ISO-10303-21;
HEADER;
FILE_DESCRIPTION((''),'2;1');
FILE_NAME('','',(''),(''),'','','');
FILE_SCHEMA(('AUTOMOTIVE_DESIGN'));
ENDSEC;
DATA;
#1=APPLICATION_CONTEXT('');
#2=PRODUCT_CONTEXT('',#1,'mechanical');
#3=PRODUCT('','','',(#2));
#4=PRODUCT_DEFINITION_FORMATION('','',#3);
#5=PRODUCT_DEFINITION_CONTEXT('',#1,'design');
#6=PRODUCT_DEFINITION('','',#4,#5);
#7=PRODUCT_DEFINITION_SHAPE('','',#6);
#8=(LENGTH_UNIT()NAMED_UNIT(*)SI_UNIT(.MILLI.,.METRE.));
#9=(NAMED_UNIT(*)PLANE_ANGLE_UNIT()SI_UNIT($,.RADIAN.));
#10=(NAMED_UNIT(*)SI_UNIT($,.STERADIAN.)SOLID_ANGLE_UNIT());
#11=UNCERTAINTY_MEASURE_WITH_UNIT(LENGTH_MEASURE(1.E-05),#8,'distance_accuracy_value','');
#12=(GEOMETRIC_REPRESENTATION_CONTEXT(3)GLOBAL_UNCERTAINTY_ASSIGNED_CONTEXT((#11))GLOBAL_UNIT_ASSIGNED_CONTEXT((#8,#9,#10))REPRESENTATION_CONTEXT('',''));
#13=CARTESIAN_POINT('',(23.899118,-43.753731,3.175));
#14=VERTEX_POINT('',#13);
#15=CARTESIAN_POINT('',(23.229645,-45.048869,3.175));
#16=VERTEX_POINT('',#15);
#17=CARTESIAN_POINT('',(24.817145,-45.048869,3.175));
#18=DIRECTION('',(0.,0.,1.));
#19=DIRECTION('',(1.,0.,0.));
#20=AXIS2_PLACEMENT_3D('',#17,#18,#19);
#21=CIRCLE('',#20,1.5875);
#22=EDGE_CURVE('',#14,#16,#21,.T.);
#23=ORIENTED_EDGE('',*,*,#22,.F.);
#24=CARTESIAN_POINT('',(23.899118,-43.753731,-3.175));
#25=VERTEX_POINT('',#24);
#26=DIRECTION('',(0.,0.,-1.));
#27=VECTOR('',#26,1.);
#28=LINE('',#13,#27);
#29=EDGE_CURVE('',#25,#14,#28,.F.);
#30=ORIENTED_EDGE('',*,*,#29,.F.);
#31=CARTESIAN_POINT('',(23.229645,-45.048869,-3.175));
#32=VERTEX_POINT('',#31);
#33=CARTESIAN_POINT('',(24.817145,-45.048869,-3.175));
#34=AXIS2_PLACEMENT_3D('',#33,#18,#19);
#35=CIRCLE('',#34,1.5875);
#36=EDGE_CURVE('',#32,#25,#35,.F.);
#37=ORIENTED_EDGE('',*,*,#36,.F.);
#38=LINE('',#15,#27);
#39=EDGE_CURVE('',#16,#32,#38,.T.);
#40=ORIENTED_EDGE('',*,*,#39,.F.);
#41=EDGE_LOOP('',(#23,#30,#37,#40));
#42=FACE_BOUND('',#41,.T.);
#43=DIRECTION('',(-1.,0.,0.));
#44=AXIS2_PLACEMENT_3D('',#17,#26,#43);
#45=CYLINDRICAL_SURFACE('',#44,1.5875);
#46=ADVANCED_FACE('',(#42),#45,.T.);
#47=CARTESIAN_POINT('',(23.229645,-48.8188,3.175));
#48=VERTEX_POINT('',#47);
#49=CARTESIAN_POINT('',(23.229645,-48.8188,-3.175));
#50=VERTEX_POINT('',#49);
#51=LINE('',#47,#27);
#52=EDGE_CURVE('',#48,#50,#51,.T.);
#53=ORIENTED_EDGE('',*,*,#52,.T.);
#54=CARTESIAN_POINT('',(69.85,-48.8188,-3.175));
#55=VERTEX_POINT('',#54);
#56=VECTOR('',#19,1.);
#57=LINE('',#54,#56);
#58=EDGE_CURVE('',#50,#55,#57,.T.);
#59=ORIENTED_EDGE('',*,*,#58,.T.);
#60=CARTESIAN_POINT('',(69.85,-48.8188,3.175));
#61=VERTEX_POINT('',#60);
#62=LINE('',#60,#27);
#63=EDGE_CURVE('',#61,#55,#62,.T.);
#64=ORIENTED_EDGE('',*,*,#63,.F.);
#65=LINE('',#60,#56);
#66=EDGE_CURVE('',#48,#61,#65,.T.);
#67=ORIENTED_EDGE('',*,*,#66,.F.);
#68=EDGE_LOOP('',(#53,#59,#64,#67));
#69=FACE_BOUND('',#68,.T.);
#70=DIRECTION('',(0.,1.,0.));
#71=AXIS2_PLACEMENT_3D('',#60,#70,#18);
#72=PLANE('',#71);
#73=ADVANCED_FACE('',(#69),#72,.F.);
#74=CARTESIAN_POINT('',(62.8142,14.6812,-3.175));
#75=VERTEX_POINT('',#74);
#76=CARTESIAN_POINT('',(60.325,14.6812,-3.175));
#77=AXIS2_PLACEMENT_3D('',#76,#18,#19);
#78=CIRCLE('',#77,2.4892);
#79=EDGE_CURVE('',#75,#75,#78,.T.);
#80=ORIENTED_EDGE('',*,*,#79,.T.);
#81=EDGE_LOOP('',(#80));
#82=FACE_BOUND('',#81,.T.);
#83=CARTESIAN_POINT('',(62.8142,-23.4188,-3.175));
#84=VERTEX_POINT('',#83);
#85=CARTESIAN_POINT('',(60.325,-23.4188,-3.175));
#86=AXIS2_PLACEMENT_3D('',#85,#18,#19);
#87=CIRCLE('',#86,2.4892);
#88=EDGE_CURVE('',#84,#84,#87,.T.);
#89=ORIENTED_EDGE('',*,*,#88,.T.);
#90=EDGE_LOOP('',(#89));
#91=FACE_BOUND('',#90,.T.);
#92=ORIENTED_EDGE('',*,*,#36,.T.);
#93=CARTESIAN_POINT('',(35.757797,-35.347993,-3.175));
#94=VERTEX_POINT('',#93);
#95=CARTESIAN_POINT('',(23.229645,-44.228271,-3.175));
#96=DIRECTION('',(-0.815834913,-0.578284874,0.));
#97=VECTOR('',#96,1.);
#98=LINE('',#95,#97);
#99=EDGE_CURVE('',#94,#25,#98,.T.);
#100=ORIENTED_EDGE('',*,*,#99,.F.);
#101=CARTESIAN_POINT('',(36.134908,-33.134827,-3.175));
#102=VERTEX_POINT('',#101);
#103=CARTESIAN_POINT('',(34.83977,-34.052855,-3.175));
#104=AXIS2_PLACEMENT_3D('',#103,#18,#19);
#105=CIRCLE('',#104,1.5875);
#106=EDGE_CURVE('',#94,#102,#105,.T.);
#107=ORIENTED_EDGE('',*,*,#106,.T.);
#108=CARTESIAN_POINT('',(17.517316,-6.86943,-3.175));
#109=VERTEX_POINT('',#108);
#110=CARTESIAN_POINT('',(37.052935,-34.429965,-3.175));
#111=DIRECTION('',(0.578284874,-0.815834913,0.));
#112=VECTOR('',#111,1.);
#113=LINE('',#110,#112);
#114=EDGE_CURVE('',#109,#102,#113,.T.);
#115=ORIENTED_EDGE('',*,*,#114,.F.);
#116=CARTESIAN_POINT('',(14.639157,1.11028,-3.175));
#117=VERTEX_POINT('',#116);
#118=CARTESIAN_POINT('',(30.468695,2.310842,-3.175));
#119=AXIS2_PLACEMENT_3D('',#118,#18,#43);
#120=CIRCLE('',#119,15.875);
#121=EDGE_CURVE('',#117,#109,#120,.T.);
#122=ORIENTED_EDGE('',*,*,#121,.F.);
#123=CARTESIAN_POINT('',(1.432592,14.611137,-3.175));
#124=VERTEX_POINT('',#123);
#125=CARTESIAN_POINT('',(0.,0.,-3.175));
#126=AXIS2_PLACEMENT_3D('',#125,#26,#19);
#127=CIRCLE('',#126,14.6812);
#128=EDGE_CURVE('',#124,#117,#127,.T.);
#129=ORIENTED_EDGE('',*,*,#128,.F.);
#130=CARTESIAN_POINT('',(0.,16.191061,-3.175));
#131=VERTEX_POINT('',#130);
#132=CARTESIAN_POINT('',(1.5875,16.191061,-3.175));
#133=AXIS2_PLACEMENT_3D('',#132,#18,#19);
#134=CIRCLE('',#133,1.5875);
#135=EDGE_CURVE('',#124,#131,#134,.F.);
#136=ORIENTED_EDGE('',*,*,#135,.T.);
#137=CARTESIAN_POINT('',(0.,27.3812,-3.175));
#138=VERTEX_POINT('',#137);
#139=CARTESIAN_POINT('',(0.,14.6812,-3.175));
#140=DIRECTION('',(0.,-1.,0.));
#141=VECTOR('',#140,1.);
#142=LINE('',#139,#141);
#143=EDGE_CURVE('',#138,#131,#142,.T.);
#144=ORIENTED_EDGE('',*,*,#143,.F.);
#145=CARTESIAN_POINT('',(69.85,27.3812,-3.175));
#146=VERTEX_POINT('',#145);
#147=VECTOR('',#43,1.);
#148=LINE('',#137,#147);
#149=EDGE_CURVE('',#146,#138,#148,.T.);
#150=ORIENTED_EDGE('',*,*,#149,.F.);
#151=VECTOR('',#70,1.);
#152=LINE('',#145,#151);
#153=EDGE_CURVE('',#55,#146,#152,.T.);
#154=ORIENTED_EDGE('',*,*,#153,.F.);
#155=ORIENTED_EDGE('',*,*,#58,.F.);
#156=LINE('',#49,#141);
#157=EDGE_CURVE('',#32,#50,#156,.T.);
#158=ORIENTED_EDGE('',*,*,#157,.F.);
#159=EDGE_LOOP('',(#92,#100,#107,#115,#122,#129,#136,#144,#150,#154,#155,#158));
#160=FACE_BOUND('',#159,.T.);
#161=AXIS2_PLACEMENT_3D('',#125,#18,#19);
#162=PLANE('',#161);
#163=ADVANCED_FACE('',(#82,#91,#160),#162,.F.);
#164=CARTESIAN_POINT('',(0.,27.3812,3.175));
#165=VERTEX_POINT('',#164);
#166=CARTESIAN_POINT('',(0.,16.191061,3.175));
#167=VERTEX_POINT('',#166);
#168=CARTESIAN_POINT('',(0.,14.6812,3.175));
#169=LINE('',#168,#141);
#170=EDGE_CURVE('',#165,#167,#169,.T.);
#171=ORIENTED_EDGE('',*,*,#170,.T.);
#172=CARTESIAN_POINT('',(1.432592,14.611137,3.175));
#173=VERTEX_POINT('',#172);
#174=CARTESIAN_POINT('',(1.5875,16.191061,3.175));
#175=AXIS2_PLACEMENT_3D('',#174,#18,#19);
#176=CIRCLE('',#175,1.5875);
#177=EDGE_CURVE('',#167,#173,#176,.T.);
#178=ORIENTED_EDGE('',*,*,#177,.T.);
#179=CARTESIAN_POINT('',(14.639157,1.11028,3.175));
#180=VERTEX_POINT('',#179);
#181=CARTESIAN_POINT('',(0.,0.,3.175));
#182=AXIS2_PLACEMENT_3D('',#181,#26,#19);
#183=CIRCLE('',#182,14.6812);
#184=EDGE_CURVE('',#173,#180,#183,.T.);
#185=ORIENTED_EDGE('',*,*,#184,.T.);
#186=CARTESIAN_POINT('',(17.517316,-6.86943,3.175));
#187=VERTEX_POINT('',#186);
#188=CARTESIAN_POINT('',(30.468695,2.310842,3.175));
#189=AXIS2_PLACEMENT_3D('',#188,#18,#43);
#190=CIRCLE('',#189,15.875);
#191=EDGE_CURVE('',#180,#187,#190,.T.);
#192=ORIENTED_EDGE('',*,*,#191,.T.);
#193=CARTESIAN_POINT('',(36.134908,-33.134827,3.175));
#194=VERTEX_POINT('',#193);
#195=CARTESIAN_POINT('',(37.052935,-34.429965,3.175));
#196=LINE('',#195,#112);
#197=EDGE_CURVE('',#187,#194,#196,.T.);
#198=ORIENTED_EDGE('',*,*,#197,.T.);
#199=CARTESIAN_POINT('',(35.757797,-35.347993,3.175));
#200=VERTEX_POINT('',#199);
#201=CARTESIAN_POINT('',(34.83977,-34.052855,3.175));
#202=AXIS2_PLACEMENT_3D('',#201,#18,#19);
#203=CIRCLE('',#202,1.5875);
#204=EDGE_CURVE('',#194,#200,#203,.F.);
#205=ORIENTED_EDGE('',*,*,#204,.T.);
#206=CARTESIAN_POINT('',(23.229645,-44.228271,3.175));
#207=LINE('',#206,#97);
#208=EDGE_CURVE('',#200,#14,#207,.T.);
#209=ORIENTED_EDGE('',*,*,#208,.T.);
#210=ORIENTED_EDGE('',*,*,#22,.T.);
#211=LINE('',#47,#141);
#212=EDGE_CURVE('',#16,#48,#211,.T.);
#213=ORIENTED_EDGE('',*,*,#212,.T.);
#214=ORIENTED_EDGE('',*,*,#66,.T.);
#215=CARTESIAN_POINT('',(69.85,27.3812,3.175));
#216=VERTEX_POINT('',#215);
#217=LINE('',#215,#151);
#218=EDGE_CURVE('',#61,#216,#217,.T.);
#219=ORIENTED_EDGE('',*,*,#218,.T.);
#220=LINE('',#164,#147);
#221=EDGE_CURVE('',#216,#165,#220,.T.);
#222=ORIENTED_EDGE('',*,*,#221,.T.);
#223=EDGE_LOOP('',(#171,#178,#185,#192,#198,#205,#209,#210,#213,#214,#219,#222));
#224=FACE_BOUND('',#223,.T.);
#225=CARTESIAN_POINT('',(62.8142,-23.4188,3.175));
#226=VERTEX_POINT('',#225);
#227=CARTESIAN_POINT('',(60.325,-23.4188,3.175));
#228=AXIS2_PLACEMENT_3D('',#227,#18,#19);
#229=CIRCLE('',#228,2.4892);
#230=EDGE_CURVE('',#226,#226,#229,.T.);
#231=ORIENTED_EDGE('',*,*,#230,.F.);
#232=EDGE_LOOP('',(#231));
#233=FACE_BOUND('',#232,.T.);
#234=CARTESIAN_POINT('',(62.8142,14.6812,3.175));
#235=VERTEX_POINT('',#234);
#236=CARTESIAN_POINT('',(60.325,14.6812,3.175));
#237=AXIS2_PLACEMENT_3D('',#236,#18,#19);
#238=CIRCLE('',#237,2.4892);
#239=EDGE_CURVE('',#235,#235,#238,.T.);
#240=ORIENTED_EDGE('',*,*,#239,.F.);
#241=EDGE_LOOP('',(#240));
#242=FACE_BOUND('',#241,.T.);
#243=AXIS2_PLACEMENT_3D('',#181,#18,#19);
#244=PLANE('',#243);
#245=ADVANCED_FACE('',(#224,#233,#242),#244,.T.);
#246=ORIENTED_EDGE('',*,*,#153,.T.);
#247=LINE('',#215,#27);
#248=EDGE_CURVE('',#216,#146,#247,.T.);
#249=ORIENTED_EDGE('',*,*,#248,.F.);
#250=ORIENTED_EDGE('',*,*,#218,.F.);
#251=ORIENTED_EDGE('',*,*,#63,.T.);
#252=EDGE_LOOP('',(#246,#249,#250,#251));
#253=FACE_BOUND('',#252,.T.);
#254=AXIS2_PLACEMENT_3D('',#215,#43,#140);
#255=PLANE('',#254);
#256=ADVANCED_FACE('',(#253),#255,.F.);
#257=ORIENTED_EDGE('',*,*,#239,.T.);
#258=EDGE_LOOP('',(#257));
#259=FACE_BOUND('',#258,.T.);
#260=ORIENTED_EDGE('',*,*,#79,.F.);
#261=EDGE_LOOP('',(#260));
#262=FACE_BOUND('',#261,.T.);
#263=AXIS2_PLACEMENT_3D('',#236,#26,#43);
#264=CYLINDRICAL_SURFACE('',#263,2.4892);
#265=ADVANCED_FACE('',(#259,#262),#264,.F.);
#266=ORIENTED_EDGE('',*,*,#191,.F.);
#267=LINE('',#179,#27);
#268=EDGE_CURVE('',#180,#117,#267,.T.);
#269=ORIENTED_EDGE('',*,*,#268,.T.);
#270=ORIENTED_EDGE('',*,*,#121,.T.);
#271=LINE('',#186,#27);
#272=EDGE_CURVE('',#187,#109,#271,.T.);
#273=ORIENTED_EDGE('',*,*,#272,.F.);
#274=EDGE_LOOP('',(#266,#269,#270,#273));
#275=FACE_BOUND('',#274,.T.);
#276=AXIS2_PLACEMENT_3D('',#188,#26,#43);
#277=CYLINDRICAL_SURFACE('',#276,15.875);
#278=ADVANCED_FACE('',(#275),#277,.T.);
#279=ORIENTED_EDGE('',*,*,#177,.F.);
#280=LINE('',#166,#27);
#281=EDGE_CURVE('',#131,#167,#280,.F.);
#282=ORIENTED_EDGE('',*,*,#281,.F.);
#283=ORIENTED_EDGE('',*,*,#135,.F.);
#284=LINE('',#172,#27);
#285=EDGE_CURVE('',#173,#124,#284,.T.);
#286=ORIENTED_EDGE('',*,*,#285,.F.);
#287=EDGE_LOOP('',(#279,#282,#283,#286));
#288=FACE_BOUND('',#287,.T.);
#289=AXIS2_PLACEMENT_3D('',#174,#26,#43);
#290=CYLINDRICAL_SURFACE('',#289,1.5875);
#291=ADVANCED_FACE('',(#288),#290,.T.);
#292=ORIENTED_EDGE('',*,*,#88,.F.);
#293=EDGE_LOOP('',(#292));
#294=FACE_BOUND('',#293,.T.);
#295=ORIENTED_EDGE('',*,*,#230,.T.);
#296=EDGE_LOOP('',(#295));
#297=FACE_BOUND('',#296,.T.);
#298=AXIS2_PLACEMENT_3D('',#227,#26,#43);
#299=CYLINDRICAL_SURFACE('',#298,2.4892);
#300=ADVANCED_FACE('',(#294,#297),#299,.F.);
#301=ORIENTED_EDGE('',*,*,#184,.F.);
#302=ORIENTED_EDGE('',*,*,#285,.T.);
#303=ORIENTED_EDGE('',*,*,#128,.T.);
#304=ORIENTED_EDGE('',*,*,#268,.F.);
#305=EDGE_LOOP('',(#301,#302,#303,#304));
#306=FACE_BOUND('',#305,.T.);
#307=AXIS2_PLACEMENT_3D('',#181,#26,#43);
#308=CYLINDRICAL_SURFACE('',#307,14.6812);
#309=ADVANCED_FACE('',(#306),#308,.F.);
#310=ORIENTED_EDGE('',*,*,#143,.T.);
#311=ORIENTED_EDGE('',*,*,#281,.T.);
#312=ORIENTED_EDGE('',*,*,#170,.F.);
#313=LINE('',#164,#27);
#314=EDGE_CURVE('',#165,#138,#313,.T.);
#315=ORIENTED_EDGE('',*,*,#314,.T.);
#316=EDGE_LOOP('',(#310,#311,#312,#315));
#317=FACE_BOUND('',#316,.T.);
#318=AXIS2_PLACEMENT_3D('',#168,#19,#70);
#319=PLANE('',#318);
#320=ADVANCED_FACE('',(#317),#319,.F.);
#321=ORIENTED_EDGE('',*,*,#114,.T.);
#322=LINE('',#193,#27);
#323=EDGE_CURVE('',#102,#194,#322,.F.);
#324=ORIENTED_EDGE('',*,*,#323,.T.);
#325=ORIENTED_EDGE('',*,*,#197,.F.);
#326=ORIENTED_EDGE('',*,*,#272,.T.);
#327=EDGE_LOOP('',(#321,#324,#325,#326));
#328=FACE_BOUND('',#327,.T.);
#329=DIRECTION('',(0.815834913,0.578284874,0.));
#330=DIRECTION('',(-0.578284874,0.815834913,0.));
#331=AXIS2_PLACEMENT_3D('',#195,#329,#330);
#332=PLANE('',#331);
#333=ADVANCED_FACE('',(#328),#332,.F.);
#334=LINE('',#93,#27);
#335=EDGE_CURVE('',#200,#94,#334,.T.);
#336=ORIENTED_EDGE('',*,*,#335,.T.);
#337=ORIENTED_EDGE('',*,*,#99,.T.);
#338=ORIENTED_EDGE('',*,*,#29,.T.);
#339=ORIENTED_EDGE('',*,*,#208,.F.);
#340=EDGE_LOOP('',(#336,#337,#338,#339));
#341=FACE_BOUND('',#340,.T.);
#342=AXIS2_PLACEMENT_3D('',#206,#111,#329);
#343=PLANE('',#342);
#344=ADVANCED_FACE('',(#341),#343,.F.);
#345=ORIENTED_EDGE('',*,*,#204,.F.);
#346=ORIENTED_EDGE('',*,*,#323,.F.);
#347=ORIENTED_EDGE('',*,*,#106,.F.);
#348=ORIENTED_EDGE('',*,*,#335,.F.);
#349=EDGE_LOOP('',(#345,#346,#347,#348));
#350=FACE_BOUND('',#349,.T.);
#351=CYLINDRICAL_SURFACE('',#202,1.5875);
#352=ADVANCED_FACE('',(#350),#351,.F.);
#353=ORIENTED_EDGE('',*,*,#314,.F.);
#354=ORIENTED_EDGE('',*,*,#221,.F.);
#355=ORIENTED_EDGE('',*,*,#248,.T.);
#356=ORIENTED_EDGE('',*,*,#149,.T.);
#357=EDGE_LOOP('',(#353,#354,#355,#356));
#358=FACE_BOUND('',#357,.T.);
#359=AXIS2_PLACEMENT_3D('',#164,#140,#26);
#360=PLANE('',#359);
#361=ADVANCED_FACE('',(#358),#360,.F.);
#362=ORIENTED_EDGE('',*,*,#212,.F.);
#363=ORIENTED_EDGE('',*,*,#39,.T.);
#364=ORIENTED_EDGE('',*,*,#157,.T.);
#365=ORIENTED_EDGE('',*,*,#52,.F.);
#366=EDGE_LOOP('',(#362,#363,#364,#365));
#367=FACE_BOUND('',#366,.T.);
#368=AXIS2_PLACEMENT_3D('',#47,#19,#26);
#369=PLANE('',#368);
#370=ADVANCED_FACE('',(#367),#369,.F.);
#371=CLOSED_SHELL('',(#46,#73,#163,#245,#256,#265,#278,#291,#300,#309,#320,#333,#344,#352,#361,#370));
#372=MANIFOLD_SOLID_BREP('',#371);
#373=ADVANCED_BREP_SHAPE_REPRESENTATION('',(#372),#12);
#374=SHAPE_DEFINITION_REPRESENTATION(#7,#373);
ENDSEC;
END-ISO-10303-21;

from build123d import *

# Parameters (mm, degrees)
SKETCH1_R           = 2.4892
BOSS_EXTRUDE1_DEPTH = 3.175
FILLET1_R           = 1.5875


with BuildPart() as part:
    # Sketch1 → Boss-Extrude1 (new, symmetric)
    with BuildSketch(Plane.XY):
        with BuildLine():
            Line((23.229645255, -44.228270645), (37.052935248, -34.429965394))
            Line((37.052935248, -34.429965394), (17.517315641, -6.869430374))
            ThreePointArc((17.517315641, -6.869430374), (15.535368252, -3.075379389), (14.639156809, 1.110279863))
            ThreePointArc((14.639156809, 1.110279863), (9.980916609, 10.766565705), (0, 14.6812))
            Line((0, 14.6812), (0, 27.3812))
            Line((0, 27.3812), (69.85, 27.3812))
            Line((69.85, 27.3812), (69.85, -48.8188))
            Line((69.85, -48.8188), (23.229645255, -48.8188))
            Line((23.229645255, -48.8188), (23.229645255, -44.228270645))
        make_face()
        with Locations((60.325, 14.6812)):
            Circle(SKETCH1_R, mode=Mode.SUBTRACT)
        with Locations((60.325, -23.4188)):
            Circle(SKETCH1_R, mode=Mode.SUBTRACT)
    extrude(amount=BOSS_EXTRUDE1_DEPTH, both=True)

    # Fillet1
    fillet1_edges = [part.edges().sort_by_distance(p)[0] for p in [
        (0, 14.6812, 0),
        (23.229645255, -44.228270645, 0),
        (37.052935248, -34.429965394, 0),
    ]]
    fillet(fillet1_edges, radius=FILLET1_R)


solid = part.part
